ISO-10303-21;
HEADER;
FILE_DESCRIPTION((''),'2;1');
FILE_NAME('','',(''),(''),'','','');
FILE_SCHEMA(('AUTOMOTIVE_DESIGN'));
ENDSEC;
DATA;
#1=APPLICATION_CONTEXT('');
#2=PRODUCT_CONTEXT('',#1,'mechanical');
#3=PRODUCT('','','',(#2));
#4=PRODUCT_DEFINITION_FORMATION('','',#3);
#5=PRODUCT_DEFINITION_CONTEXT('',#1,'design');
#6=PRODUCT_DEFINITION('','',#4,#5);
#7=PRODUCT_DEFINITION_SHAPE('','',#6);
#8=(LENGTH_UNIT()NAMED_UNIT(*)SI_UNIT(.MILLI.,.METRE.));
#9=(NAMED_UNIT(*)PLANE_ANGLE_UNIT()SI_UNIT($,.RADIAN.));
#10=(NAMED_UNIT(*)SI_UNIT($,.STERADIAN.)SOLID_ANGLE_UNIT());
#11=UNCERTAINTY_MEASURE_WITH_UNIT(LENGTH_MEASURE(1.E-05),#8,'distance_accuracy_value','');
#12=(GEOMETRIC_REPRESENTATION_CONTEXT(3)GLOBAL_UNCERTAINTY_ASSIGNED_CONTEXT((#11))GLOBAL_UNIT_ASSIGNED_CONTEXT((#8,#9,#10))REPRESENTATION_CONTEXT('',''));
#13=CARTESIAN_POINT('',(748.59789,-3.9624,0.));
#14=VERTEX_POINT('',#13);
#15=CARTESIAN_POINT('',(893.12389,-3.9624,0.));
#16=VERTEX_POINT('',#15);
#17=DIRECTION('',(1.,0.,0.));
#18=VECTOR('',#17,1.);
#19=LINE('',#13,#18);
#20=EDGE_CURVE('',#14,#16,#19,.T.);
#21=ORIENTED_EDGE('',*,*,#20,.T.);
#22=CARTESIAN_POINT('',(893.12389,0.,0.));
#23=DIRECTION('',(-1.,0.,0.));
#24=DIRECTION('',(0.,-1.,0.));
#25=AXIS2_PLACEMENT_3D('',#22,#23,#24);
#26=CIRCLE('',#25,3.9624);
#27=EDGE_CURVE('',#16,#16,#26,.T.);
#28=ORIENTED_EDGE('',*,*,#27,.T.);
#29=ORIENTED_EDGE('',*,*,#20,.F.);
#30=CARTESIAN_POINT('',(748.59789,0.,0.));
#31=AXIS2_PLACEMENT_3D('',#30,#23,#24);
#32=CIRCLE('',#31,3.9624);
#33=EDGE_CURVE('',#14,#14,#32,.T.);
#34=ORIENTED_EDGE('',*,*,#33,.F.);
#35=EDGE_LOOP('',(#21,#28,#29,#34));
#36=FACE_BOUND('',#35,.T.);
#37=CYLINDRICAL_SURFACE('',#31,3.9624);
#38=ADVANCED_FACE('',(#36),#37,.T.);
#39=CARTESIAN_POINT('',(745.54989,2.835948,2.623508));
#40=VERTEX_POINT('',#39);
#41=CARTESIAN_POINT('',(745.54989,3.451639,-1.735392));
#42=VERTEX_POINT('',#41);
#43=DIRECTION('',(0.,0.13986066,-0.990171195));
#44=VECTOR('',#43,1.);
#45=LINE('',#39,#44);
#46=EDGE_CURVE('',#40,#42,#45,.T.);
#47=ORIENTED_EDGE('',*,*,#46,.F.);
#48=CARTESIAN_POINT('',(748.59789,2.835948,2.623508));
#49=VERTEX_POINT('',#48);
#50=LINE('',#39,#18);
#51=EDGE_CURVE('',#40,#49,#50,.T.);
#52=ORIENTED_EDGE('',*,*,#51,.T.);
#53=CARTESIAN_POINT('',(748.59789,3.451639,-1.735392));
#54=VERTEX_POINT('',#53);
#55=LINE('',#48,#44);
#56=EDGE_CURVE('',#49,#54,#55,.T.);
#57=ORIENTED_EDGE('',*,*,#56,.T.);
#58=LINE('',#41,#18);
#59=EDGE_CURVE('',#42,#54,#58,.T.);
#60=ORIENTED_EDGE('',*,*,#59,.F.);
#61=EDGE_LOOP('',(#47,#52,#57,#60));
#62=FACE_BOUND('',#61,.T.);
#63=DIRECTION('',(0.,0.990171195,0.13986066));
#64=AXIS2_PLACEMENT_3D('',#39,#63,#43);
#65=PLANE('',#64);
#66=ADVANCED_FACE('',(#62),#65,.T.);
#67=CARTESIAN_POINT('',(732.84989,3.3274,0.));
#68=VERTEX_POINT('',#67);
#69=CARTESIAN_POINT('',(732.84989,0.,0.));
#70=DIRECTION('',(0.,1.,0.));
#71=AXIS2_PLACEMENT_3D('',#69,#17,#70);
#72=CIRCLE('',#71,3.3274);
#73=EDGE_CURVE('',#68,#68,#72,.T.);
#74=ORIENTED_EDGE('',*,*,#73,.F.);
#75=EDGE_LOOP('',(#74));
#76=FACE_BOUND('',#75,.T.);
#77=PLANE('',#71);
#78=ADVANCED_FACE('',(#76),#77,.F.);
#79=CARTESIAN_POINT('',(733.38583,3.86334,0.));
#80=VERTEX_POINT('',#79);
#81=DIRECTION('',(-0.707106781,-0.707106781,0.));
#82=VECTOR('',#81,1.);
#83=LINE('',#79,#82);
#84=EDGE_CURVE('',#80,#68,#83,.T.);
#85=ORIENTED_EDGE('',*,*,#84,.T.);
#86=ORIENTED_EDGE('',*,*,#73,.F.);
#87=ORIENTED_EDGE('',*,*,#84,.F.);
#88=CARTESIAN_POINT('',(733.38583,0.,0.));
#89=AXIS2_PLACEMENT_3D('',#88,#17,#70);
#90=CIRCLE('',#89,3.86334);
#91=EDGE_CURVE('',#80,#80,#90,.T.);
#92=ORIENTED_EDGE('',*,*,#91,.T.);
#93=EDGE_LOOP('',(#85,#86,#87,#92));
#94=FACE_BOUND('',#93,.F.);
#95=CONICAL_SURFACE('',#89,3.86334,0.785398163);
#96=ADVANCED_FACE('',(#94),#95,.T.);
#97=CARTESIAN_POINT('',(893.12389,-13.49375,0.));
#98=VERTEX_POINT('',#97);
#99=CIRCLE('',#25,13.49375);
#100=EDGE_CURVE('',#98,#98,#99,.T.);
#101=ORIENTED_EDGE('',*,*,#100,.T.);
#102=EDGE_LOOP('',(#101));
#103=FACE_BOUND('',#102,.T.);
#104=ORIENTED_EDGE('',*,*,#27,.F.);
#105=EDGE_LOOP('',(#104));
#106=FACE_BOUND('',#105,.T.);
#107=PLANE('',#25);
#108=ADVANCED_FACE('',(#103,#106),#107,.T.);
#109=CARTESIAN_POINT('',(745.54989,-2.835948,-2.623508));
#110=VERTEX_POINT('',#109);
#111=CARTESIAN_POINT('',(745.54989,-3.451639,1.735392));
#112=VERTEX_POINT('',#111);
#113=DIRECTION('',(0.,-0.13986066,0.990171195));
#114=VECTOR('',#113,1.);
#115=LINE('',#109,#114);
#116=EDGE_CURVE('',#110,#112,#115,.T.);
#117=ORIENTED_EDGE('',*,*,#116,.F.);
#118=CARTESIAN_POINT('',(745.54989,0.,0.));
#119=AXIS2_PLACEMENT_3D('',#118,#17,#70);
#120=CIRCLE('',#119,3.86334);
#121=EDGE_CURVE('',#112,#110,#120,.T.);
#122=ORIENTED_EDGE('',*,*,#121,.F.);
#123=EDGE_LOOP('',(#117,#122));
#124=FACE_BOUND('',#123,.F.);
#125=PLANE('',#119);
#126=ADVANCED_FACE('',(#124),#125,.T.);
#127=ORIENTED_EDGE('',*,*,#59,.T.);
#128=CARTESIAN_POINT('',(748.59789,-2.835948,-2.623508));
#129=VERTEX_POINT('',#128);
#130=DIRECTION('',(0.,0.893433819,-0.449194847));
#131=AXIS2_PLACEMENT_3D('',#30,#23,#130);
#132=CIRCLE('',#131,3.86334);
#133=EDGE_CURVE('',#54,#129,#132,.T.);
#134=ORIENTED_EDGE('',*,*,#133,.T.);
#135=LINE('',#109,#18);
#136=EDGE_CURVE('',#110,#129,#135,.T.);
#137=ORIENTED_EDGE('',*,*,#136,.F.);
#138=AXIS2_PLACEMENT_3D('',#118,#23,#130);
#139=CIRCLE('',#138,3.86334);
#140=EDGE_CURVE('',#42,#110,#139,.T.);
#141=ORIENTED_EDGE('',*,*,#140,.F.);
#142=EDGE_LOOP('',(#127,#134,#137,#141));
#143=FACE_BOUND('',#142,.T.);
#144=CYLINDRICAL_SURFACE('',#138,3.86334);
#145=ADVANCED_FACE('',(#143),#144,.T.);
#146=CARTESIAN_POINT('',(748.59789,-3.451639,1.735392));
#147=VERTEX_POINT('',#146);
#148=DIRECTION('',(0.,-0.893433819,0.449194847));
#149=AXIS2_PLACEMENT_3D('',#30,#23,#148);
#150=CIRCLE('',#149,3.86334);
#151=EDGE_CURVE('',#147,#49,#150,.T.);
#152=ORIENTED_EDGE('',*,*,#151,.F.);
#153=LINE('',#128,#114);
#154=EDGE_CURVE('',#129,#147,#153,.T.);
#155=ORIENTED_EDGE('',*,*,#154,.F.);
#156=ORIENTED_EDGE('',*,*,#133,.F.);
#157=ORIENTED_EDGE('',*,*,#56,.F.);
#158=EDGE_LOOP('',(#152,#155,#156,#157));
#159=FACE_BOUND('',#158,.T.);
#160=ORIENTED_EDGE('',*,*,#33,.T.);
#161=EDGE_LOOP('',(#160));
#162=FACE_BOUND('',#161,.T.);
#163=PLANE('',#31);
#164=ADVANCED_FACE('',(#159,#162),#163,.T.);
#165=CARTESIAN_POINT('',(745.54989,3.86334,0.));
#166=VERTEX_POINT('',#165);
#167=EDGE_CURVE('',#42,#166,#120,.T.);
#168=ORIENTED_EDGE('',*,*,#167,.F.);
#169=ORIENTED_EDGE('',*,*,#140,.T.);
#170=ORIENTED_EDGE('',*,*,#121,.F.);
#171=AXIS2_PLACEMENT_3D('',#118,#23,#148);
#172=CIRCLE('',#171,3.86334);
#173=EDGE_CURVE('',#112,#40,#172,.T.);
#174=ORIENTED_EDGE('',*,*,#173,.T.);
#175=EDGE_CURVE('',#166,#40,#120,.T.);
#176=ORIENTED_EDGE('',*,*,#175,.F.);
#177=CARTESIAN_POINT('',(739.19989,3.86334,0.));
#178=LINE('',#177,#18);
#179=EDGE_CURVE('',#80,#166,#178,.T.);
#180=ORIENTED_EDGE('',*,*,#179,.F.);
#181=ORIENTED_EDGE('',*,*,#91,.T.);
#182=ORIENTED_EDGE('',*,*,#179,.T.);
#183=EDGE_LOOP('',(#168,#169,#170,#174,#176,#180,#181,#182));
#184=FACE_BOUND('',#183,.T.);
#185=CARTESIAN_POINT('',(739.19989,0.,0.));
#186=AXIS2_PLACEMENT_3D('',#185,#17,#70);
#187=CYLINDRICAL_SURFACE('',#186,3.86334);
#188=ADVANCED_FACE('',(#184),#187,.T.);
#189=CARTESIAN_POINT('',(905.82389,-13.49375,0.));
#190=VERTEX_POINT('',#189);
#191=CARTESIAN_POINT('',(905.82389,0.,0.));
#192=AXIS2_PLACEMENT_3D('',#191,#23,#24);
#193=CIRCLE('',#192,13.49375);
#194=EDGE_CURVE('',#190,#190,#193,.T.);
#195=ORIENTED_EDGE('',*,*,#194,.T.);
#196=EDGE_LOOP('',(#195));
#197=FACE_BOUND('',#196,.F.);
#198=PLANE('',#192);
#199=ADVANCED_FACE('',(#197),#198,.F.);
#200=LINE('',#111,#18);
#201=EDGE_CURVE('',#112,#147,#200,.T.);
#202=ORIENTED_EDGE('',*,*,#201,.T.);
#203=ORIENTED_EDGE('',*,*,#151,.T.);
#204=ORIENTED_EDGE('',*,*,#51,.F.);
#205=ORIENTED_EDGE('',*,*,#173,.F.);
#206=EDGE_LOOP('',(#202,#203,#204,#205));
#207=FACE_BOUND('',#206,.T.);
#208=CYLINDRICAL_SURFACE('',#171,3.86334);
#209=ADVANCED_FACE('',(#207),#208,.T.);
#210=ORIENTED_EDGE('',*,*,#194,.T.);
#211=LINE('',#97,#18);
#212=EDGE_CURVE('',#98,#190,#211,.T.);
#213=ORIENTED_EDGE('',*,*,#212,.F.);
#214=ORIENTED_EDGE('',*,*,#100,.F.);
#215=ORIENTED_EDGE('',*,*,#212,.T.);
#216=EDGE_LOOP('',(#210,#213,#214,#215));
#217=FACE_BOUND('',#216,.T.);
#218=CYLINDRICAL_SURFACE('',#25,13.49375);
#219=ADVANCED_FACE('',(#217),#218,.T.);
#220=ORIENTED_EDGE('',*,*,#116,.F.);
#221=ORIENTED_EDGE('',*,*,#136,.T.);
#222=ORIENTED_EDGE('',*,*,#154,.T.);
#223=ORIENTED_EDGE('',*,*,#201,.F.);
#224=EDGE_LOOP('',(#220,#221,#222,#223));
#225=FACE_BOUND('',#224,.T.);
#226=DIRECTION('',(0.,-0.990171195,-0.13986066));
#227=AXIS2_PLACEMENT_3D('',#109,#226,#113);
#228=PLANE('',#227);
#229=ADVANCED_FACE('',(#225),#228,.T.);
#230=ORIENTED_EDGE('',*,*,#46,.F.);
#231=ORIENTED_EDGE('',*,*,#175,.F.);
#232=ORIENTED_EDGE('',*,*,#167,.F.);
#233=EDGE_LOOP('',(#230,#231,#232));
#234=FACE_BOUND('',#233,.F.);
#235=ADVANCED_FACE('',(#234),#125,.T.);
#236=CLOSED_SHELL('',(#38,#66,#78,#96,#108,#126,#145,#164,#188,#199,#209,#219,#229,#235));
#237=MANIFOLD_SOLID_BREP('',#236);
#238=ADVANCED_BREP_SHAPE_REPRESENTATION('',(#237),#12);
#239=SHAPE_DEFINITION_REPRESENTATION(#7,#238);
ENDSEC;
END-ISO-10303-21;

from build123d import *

# Parameters (mm, degrees)
SKETCH1_W           = 12.7
SKETCH1_H           = 3.86334
BOSS_EXTRUDE1_DEPTH = 3.048
SKETCH3_R           = 3.9624
BOSS_EXTRUDE2_DEPTH = 144.526
SKETCH4_R           = 13.49375
BOSS_EXTRUDE3_DEPTH = 12.7
CHAMFER1_SIZE       = 0.53594


with BuildPart() as part:
    # Sketch1 → Revolve1 (revolve)
    with BuildSketch(Plane.XY):
        with Locations((739.199890203, 1.93167)):
            Rectangle(SKETCH1_W, SKETCH1_H)
    revolve(axis=Axis((732.849890203, 0, 0), (1, 0, 0)))

    # Sketch2 → Boss-Extrude1 (add)
    with BuildSketch(Plane(origin=(745.549890203, 0, 0), x_dir=(0, 0, -1), z_dir=(1, 0, 0))):
        with BuildLine():
            Line((2.623507611, -2.835948478), (-1.73539242, -3.451638611))
            ThreePointArc((-1.73539242, -3.451638611), (-3.825367985, -0.540329282), (-2.623507611, 2.835948478))
            Line((-2.623507611, 2.835948478), (1.73539242, 3.451638611))
            ThreePointArc((1.73539242, 3.451638611), (3.825367985, 0.540329282), (2.623507611, -2.835948478))
        make_face()
    extrude(amount=BOSS_EXTRUDE1_DEPTH)

    # Sketch3 → Boss-Extrude2 (add)
    with BuildSketch(Plane(origin=(748.597890203, 0, 0), x_dir=(0, -1, 0), z_dir=(-1, 0, 0))):
        Circle(SKETCH3_R)
    extrude(amount=-BOSS_EXTRUDE2_DEPTH)

    # Sketch4 → Boss-Extrude3 (add)
    with BuildSketch(Plane(origin=(893.123890203, 0, 0), x_dir=(0, -1, 0), z_dir=(-1, 0, 0))):
        Circle(SKETCH4_R)
    extrude(amount=-BOSS_EXTRUDE3_DEPTH)

    # Chamfer1
    chamfer1_edges = [part.edges().sort_by_distance(p)[0] for p in [
        (732.849890203, -3.86334, 0),
    ]]
    chamfer(chamfer1_edges, length=CHAMFER1_SIZE)


solid = part.part
